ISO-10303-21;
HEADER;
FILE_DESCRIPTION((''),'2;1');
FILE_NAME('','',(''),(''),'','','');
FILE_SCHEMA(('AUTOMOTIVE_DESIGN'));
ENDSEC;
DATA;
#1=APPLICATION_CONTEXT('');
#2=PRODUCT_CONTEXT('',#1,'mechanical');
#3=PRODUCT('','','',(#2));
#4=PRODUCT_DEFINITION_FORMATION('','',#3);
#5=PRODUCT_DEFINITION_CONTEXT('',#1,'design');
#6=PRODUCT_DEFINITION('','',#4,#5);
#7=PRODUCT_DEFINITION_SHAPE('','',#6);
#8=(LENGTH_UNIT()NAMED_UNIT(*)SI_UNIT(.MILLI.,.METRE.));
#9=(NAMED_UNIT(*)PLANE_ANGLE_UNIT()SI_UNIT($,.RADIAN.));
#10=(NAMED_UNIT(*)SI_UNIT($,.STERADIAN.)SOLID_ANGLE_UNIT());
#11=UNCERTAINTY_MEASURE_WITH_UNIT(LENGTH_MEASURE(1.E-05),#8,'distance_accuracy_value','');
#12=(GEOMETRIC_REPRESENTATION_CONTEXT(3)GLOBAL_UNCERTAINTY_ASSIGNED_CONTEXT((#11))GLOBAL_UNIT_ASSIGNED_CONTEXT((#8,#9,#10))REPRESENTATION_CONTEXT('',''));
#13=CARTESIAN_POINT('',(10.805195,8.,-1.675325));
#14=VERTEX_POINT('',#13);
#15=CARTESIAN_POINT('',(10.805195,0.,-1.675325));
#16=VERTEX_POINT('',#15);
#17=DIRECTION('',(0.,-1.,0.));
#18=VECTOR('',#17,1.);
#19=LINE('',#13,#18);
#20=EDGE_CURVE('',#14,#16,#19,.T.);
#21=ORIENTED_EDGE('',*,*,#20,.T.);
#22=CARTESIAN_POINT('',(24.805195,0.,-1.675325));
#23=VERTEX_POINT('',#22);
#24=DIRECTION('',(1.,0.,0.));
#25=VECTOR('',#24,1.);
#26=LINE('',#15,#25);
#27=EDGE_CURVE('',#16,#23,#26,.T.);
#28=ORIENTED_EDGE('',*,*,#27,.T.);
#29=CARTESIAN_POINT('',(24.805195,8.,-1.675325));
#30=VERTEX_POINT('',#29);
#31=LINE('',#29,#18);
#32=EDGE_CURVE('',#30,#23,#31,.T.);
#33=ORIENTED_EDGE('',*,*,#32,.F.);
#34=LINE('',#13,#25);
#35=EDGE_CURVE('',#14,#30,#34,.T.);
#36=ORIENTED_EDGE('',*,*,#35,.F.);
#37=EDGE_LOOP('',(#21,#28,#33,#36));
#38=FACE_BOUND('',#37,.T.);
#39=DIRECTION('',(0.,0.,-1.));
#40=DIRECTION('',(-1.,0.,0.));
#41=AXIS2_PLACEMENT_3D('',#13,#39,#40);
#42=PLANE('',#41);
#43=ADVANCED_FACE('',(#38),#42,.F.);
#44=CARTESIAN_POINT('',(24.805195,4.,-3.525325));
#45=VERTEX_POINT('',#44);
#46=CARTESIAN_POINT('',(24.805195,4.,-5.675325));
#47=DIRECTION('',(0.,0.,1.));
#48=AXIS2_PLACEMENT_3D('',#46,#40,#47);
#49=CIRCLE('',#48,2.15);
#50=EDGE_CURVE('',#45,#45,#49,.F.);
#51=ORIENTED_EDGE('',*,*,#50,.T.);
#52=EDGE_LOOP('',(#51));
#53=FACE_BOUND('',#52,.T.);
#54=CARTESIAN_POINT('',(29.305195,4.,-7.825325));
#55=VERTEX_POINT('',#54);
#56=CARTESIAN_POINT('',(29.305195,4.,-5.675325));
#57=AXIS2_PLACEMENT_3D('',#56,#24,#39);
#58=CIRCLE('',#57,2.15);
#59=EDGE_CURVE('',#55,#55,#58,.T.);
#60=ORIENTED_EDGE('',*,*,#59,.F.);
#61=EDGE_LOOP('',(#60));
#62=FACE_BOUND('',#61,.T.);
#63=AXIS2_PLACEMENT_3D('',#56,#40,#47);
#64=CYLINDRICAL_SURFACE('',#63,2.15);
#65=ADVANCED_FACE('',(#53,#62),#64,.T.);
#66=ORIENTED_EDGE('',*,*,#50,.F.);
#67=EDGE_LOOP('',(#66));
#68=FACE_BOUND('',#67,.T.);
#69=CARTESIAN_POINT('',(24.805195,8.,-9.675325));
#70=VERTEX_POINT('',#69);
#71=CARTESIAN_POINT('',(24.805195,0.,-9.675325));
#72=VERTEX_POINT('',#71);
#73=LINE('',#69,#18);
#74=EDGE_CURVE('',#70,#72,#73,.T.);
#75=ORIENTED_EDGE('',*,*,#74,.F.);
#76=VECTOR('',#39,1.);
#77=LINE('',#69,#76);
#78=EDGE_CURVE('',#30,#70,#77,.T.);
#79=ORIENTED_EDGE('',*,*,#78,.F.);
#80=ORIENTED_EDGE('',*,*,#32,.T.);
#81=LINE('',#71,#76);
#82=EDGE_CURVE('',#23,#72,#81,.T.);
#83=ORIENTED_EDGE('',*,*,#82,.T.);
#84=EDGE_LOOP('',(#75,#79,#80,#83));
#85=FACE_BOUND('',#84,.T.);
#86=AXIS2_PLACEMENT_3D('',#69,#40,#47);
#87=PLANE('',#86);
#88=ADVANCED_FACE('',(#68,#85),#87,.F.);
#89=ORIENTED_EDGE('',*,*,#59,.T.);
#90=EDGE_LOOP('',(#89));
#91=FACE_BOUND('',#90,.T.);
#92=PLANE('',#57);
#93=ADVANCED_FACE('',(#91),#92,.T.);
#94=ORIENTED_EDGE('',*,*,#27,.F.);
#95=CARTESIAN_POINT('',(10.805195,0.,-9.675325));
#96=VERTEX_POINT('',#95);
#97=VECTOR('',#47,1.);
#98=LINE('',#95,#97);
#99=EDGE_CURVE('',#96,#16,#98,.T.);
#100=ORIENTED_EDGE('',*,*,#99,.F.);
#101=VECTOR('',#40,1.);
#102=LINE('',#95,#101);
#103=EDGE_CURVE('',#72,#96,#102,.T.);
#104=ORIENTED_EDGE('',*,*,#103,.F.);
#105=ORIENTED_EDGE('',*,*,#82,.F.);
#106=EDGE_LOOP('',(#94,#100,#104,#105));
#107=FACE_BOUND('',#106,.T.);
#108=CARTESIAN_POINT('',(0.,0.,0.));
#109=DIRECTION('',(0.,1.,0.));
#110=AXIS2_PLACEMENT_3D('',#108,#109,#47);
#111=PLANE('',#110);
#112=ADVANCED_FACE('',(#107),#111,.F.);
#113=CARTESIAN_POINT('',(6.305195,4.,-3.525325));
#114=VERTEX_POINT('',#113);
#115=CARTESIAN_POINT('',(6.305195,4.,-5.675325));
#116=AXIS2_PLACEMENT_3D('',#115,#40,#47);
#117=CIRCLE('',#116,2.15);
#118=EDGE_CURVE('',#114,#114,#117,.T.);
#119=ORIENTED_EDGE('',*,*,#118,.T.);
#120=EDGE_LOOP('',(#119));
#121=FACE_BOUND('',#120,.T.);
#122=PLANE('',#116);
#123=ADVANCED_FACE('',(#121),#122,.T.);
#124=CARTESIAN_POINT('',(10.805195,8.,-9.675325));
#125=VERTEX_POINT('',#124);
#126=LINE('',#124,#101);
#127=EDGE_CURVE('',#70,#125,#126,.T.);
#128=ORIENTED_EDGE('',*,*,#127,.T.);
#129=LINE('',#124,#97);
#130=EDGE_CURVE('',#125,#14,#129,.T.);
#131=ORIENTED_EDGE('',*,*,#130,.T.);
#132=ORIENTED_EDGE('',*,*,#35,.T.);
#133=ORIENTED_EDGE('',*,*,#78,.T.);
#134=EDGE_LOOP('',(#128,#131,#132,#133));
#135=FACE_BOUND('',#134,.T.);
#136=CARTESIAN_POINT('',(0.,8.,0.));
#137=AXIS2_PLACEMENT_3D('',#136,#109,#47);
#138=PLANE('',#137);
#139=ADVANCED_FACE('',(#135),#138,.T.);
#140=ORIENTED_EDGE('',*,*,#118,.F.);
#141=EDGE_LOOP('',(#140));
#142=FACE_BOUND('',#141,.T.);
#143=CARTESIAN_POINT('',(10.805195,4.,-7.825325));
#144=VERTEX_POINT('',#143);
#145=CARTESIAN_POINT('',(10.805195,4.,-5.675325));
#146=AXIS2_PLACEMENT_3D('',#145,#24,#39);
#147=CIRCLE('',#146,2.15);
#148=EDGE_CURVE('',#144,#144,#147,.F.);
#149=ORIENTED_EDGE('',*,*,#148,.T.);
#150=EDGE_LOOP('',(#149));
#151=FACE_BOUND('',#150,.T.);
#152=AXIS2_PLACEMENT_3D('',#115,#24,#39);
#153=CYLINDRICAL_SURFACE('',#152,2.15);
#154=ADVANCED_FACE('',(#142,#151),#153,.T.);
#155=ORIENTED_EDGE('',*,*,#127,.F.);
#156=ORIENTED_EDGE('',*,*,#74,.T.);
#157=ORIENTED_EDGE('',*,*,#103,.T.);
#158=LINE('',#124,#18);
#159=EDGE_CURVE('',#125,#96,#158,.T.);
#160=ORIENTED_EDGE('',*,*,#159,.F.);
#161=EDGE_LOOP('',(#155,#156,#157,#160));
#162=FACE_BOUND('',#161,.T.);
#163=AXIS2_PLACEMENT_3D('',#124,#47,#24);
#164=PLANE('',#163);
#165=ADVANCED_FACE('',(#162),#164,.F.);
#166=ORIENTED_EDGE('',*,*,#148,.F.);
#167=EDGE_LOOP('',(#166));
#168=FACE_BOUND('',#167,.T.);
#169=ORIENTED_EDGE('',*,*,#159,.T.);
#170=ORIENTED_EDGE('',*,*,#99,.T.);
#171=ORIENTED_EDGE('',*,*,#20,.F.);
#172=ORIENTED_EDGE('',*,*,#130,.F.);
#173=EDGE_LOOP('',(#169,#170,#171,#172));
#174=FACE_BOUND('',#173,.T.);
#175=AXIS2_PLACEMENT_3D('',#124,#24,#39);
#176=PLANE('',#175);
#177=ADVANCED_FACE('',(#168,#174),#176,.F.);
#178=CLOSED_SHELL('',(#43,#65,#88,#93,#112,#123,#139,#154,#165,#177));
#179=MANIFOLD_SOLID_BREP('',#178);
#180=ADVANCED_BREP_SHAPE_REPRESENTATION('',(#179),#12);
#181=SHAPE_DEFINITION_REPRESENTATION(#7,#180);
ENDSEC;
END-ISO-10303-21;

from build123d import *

# Parameters (mm, degrees)
SKETCH1_W           = 14
SKETCH1_H           = 8
BOSS_EXTRUDE1_DEPTH = 8
SKETCH3_R           = 2.15
BOSS_EXTRUDE3_DEPTH = 4.5
BOSS_EXTRUDE4_START = 4.5
SKETCH4_R           = 2.15
BOSS_EXTRUDE4_DEPTH = 4.5


with BuildPart() as part:
    # Sketch1 → Boss-Extrude1 (new body)
    with BuildSketch(Plane(origin=(0, 0, 0), x_dir=(1, 0, 0), z_dir=(0, 1, 0))):
        with Locations((17.805194805, 5.675324675)):
            Rectangle(SKETCH1_W, SKETCH1_H)
    extrude(amount=BOSS_EXTRUDE1_DEPTH)

    # Sketch3 → Boss-Extrude3 (add)
    with BuildSketch(Plane(origin=(24.805194805, 0, 0), x_dir=(0, 0, -1), z_dir=(1, 0, 0))):
        with Locations(Location((5.675324675, 4, 0), (0, 0, 180))):
            Circle(SKETCH3_R)
    extrude(amount=BOSS_EXTRUDE3_DEPTH)

    # Sketch4 → Boss-Extrude4 (add)
    with BuildSketch(Plane.ZY.offset(-10.805194805).offset(BOSS_EXTRUDE4_START)):
        with Locations((-5.675324675, 4)):
            Circle(SKETCH4_R)
    extrude(amount=-BOSS_EXTRUDE4_DEPTH)


solid = part.part
